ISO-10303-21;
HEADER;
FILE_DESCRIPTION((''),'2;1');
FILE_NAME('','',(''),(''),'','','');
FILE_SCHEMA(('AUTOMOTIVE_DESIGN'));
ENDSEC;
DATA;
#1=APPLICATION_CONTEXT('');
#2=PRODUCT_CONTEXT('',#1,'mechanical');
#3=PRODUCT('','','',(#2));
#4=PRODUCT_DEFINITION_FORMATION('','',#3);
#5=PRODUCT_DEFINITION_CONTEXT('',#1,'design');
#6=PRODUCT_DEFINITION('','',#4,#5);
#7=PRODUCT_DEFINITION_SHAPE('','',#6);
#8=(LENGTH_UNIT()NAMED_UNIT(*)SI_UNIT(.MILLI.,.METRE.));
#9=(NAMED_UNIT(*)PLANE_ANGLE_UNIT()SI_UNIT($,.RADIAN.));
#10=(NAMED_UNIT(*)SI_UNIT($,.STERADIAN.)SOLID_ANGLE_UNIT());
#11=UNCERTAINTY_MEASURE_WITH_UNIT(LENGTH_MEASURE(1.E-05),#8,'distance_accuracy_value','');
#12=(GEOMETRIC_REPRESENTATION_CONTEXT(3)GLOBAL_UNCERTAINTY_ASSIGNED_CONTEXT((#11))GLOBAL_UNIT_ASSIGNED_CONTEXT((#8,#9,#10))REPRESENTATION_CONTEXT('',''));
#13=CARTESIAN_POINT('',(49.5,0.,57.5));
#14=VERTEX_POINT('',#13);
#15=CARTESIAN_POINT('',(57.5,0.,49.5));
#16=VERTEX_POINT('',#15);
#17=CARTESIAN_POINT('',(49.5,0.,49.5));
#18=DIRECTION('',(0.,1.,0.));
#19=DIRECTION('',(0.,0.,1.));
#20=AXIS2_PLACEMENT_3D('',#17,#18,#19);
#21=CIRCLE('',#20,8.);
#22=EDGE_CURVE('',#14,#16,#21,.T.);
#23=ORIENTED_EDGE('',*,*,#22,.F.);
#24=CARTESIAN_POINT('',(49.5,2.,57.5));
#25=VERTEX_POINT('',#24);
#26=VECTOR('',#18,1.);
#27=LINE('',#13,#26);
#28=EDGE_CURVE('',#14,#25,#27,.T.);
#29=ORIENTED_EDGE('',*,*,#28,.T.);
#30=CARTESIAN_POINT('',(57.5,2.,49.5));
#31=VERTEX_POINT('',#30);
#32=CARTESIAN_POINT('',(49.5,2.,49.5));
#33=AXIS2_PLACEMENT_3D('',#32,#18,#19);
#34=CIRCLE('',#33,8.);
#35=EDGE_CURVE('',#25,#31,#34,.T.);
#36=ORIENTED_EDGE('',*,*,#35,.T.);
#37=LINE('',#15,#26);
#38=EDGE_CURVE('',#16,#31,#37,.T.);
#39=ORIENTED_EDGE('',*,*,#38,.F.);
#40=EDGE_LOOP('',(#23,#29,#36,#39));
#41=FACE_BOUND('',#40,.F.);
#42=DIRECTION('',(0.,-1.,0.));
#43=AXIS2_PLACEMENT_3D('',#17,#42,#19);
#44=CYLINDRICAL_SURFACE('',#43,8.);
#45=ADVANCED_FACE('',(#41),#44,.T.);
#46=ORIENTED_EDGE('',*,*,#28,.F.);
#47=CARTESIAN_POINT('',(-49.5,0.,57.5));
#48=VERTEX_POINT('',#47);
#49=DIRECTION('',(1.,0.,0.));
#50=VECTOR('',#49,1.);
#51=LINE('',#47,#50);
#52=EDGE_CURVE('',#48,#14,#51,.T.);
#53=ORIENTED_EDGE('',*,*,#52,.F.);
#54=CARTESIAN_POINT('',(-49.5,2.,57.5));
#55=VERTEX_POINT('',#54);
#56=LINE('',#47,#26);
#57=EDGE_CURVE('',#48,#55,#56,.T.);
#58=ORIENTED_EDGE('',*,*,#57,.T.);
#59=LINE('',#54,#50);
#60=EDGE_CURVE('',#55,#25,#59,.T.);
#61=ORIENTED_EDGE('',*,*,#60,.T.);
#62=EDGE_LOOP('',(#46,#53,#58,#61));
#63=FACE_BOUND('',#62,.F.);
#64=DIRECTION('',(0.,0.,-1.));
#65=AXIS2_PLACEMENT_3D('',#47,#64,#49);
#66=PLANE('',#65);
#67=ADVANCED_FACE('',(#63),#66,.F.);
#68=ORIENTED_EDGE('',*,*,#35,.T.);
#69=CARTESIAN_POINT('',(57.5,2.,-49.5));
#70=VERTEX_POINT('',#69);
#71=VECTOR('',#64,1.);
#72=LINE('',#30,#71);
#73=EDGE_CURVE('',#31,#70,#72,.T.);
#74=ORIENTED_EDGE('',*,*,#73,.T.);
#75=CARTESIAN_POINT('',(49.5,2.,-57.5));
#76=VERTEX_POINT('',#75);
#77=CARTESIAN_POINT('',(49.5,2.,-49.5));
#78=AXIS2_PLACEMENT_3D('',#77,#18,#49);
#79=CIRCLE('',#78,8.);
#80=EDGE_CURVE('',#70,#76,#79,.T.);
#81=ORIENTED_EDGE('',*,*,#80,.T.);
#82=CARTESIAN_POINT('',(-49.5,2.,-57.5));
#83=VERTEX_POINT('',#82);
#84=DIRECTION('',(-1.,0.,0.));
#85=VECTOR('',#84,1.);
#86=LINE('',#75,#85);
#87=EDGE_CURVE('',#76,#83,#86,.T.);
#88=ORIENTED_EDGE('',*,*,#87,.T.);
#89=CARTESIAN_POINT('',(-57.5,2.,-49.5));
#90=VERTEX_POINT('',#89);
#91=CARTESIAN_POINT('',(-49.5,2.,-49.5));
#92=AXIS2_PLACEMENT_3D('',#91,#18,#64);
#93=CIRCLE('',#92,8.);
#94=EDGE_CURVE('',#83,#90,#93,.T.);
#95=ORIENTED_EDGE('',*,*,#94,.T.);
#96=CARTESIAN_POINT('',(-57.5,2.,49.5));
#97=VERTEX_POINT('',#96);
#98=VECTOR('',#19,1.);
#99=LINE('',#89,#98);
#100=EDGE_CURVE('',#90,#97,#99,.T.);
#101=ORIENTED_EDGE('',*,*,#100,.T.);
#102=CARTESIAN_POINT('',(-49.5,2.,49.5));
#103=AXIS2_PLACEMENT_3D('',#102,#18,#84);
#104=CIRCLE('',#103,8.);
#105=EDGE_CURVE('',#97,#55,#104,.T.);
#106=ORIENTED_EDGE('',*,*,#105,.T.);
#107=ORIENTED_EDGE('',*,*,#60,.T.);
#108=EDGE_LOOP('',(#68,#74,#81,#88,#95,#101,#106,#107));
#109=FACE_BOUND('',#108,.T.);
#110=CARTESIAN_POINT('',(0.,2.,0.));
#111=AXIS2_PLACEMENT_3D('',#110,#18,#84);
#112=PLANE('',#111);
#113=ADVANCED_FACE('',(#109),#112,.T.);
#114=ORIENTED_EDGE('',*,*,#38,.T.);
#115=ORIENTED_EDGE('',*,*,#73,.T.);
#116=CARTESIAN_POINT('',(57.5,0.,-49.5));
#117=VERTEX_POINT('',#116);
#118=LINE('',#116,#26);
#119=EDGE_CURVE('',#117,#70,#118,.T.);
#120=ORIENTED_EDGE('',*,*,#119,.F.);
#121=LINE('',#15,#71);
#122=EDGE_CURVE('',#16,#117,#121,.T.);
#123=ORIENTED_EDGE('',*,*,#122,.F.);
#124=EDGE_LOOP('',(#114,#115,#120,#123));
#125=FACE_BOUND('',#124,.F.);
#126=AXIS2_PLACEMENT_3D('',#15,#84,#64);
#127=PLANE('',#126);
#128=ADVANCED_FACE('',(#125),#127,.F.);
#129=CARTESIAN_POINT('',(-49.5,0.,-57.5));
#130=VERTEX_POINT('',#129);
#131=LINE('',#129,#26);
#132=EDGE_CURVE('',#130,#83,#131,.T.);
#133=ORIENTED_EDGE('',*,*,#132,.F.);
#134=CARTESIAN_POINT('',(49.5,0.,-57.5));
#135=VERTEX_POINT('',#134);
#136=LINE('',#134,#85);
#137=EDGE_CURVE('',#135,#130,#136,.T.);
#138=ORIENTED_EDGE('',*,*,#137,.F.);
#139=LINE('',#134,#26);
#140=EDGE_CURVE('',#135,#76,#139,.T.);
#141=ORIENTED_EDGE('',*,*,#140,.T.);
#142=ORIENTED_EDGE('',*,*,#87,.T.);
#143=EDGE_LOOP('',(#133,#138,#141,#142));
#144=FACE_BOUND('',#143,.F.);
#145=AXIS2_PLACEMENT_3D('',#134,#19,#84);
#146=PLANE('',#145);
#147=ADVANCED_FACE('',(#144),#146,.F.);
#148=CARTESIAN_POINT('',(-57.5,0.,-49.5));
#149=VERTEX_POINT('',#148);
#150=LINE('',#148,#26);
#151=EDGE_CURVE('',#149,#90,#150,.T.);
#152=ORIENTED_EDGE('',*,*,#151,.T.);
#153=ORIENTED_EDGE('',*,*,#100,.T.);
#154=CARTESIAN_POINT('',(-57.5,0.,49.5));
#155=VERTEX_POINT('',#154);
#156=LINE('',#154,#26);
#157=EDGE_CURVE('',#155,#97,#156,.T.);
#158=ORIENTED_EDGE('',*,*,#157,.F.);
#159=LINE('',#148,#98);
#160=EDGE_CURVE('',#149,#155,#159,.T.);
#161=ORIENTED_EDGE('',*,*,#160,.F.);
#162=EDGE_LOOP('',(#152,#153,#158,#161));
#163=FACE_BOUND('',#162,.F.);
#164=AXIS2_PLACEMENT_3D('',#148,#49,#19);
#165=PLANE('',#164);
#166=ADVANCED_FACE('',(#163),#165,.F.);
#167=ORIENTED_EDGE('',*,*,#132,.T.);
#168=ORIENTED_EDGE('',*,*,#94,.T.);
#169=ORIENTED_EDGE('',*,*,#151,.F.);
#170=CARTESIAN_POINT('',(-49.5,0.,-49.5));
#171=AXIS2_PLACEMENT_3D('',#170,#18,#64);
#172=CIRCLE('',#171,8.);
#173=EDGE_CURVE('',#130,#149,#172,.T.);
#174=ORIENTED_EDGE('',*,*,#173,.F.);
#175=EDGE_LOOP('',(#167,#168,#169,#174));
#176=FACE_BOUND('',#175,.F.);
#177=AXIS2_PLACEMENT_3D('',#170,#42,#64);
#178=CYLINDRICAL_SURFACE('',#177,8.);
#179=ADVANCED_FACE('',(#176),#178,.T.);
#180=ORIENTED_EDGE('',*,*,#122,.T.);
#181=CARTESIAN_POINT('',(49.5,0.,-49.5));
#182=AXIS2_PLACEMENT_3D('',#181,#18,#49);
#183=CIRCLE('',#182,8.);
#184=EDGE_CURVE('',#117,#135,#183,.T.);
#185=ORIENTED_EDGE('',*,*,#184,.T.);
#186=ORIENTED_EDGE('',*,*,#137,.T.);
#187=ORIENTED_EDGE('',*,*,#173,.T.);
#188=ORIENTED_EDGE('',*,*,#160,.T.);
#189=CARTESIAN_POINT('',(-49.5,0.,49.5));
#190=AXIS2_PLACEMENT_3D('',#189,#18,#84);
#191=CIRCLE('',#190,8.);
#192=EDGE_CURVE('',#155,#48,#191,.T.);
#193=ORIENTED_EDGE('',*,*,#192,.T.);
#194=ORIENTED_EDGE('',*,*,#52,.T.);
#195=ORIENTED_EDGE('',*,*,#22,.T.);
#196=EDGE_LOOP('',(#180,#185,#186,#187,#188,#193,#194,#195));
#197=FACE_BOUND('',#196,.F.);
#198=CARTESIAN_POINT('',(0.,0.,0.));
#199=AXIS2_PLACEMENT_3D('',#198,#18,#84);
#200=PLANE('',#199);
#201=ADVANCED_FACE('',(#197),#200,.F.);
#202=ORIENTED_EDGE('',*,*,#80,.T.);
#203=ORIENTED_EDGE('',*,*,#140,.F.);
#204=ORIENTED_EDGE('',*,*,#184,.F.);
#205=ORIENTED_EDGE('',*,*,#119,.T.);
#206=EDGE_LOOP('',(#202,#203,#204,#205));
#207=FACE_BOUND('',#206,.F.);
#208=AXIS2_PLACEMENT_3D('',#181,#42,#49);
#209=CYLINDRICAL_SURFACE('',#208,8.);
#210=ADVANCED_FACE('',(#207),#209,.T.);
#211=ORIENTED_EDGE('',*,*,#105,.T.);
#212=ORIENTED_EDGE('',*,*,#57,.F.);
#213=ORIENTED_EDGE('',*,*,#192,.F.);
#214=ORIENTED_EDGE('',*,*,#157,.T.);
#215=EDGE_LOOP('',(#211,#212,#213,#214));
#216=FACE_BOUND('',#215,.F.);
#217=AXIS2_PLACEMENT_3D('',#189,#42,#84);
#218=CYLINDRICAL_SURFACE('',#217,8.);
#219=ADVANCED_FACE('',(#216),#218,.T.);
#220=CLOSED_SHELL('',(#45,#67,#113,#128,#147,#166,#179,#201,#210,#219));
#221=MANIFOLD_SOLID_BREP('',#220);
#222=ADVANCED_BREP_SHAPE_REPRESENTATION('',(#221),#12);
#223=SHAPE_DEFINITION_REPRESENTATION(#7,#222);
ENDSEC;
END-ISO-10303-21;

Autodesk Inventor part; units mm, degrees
ref_plane "YZ Plane" through (0, 0, 0) normal (1, 0, 0) x (0, 1, 0)
ref_plane "XZ Plane" through (0, 0, 0) normal (0, 1, 0) x (-1, 0, 0)
ref_plane "XY Plane" through (0, 0, 0) normal (0, 0, 1) x (1, 0, 0)
sketch "Sketch1" plane through (0, 0, 0) normal (0, 1, 0) x (-1, 0, 0)
  line L0 (-49.5, -57.5) -> (49.5, -57.5)
  line L1 (57.5, -49.5) -> (57.5, 49.5)
  line L2 (49.5, 57.5) -> (-49.5, 57.5)
  line L3 (-57.5, 49.5) -> (-57.5, -49.5)
  line L4 (-57.5, -57.5) -> (57.5, 57.5) construction
  line L5 (57.5, -57.5) -> (-57.5, 57.5) construction
  arc A0 (57.5, 49.5) -> (49.5, 57.5) centre (49.5, 49.5) ccw
  arc A1 (-49.5, 57.5) -> (-57.5, 49.5) centre (-49.5, 49.5) ccw
  arc A2 (-57.5, -49.5) -> (-49.5, -57.5) centre (-49.5, -49.5) ccw
  arc A3 (49.5, -57.5) -> (57.5, -49.5) centre (49.5, -49.5) ccw
  point P0 (0, 0)
  dimension "d0" = 115
  dimension "d1" = 115
  dimension "d2" = 8
extrude "Extrusion1" add sketch "Sketch1" along normal blind 2
properties part number "00_Baseplate_Axiotech"
